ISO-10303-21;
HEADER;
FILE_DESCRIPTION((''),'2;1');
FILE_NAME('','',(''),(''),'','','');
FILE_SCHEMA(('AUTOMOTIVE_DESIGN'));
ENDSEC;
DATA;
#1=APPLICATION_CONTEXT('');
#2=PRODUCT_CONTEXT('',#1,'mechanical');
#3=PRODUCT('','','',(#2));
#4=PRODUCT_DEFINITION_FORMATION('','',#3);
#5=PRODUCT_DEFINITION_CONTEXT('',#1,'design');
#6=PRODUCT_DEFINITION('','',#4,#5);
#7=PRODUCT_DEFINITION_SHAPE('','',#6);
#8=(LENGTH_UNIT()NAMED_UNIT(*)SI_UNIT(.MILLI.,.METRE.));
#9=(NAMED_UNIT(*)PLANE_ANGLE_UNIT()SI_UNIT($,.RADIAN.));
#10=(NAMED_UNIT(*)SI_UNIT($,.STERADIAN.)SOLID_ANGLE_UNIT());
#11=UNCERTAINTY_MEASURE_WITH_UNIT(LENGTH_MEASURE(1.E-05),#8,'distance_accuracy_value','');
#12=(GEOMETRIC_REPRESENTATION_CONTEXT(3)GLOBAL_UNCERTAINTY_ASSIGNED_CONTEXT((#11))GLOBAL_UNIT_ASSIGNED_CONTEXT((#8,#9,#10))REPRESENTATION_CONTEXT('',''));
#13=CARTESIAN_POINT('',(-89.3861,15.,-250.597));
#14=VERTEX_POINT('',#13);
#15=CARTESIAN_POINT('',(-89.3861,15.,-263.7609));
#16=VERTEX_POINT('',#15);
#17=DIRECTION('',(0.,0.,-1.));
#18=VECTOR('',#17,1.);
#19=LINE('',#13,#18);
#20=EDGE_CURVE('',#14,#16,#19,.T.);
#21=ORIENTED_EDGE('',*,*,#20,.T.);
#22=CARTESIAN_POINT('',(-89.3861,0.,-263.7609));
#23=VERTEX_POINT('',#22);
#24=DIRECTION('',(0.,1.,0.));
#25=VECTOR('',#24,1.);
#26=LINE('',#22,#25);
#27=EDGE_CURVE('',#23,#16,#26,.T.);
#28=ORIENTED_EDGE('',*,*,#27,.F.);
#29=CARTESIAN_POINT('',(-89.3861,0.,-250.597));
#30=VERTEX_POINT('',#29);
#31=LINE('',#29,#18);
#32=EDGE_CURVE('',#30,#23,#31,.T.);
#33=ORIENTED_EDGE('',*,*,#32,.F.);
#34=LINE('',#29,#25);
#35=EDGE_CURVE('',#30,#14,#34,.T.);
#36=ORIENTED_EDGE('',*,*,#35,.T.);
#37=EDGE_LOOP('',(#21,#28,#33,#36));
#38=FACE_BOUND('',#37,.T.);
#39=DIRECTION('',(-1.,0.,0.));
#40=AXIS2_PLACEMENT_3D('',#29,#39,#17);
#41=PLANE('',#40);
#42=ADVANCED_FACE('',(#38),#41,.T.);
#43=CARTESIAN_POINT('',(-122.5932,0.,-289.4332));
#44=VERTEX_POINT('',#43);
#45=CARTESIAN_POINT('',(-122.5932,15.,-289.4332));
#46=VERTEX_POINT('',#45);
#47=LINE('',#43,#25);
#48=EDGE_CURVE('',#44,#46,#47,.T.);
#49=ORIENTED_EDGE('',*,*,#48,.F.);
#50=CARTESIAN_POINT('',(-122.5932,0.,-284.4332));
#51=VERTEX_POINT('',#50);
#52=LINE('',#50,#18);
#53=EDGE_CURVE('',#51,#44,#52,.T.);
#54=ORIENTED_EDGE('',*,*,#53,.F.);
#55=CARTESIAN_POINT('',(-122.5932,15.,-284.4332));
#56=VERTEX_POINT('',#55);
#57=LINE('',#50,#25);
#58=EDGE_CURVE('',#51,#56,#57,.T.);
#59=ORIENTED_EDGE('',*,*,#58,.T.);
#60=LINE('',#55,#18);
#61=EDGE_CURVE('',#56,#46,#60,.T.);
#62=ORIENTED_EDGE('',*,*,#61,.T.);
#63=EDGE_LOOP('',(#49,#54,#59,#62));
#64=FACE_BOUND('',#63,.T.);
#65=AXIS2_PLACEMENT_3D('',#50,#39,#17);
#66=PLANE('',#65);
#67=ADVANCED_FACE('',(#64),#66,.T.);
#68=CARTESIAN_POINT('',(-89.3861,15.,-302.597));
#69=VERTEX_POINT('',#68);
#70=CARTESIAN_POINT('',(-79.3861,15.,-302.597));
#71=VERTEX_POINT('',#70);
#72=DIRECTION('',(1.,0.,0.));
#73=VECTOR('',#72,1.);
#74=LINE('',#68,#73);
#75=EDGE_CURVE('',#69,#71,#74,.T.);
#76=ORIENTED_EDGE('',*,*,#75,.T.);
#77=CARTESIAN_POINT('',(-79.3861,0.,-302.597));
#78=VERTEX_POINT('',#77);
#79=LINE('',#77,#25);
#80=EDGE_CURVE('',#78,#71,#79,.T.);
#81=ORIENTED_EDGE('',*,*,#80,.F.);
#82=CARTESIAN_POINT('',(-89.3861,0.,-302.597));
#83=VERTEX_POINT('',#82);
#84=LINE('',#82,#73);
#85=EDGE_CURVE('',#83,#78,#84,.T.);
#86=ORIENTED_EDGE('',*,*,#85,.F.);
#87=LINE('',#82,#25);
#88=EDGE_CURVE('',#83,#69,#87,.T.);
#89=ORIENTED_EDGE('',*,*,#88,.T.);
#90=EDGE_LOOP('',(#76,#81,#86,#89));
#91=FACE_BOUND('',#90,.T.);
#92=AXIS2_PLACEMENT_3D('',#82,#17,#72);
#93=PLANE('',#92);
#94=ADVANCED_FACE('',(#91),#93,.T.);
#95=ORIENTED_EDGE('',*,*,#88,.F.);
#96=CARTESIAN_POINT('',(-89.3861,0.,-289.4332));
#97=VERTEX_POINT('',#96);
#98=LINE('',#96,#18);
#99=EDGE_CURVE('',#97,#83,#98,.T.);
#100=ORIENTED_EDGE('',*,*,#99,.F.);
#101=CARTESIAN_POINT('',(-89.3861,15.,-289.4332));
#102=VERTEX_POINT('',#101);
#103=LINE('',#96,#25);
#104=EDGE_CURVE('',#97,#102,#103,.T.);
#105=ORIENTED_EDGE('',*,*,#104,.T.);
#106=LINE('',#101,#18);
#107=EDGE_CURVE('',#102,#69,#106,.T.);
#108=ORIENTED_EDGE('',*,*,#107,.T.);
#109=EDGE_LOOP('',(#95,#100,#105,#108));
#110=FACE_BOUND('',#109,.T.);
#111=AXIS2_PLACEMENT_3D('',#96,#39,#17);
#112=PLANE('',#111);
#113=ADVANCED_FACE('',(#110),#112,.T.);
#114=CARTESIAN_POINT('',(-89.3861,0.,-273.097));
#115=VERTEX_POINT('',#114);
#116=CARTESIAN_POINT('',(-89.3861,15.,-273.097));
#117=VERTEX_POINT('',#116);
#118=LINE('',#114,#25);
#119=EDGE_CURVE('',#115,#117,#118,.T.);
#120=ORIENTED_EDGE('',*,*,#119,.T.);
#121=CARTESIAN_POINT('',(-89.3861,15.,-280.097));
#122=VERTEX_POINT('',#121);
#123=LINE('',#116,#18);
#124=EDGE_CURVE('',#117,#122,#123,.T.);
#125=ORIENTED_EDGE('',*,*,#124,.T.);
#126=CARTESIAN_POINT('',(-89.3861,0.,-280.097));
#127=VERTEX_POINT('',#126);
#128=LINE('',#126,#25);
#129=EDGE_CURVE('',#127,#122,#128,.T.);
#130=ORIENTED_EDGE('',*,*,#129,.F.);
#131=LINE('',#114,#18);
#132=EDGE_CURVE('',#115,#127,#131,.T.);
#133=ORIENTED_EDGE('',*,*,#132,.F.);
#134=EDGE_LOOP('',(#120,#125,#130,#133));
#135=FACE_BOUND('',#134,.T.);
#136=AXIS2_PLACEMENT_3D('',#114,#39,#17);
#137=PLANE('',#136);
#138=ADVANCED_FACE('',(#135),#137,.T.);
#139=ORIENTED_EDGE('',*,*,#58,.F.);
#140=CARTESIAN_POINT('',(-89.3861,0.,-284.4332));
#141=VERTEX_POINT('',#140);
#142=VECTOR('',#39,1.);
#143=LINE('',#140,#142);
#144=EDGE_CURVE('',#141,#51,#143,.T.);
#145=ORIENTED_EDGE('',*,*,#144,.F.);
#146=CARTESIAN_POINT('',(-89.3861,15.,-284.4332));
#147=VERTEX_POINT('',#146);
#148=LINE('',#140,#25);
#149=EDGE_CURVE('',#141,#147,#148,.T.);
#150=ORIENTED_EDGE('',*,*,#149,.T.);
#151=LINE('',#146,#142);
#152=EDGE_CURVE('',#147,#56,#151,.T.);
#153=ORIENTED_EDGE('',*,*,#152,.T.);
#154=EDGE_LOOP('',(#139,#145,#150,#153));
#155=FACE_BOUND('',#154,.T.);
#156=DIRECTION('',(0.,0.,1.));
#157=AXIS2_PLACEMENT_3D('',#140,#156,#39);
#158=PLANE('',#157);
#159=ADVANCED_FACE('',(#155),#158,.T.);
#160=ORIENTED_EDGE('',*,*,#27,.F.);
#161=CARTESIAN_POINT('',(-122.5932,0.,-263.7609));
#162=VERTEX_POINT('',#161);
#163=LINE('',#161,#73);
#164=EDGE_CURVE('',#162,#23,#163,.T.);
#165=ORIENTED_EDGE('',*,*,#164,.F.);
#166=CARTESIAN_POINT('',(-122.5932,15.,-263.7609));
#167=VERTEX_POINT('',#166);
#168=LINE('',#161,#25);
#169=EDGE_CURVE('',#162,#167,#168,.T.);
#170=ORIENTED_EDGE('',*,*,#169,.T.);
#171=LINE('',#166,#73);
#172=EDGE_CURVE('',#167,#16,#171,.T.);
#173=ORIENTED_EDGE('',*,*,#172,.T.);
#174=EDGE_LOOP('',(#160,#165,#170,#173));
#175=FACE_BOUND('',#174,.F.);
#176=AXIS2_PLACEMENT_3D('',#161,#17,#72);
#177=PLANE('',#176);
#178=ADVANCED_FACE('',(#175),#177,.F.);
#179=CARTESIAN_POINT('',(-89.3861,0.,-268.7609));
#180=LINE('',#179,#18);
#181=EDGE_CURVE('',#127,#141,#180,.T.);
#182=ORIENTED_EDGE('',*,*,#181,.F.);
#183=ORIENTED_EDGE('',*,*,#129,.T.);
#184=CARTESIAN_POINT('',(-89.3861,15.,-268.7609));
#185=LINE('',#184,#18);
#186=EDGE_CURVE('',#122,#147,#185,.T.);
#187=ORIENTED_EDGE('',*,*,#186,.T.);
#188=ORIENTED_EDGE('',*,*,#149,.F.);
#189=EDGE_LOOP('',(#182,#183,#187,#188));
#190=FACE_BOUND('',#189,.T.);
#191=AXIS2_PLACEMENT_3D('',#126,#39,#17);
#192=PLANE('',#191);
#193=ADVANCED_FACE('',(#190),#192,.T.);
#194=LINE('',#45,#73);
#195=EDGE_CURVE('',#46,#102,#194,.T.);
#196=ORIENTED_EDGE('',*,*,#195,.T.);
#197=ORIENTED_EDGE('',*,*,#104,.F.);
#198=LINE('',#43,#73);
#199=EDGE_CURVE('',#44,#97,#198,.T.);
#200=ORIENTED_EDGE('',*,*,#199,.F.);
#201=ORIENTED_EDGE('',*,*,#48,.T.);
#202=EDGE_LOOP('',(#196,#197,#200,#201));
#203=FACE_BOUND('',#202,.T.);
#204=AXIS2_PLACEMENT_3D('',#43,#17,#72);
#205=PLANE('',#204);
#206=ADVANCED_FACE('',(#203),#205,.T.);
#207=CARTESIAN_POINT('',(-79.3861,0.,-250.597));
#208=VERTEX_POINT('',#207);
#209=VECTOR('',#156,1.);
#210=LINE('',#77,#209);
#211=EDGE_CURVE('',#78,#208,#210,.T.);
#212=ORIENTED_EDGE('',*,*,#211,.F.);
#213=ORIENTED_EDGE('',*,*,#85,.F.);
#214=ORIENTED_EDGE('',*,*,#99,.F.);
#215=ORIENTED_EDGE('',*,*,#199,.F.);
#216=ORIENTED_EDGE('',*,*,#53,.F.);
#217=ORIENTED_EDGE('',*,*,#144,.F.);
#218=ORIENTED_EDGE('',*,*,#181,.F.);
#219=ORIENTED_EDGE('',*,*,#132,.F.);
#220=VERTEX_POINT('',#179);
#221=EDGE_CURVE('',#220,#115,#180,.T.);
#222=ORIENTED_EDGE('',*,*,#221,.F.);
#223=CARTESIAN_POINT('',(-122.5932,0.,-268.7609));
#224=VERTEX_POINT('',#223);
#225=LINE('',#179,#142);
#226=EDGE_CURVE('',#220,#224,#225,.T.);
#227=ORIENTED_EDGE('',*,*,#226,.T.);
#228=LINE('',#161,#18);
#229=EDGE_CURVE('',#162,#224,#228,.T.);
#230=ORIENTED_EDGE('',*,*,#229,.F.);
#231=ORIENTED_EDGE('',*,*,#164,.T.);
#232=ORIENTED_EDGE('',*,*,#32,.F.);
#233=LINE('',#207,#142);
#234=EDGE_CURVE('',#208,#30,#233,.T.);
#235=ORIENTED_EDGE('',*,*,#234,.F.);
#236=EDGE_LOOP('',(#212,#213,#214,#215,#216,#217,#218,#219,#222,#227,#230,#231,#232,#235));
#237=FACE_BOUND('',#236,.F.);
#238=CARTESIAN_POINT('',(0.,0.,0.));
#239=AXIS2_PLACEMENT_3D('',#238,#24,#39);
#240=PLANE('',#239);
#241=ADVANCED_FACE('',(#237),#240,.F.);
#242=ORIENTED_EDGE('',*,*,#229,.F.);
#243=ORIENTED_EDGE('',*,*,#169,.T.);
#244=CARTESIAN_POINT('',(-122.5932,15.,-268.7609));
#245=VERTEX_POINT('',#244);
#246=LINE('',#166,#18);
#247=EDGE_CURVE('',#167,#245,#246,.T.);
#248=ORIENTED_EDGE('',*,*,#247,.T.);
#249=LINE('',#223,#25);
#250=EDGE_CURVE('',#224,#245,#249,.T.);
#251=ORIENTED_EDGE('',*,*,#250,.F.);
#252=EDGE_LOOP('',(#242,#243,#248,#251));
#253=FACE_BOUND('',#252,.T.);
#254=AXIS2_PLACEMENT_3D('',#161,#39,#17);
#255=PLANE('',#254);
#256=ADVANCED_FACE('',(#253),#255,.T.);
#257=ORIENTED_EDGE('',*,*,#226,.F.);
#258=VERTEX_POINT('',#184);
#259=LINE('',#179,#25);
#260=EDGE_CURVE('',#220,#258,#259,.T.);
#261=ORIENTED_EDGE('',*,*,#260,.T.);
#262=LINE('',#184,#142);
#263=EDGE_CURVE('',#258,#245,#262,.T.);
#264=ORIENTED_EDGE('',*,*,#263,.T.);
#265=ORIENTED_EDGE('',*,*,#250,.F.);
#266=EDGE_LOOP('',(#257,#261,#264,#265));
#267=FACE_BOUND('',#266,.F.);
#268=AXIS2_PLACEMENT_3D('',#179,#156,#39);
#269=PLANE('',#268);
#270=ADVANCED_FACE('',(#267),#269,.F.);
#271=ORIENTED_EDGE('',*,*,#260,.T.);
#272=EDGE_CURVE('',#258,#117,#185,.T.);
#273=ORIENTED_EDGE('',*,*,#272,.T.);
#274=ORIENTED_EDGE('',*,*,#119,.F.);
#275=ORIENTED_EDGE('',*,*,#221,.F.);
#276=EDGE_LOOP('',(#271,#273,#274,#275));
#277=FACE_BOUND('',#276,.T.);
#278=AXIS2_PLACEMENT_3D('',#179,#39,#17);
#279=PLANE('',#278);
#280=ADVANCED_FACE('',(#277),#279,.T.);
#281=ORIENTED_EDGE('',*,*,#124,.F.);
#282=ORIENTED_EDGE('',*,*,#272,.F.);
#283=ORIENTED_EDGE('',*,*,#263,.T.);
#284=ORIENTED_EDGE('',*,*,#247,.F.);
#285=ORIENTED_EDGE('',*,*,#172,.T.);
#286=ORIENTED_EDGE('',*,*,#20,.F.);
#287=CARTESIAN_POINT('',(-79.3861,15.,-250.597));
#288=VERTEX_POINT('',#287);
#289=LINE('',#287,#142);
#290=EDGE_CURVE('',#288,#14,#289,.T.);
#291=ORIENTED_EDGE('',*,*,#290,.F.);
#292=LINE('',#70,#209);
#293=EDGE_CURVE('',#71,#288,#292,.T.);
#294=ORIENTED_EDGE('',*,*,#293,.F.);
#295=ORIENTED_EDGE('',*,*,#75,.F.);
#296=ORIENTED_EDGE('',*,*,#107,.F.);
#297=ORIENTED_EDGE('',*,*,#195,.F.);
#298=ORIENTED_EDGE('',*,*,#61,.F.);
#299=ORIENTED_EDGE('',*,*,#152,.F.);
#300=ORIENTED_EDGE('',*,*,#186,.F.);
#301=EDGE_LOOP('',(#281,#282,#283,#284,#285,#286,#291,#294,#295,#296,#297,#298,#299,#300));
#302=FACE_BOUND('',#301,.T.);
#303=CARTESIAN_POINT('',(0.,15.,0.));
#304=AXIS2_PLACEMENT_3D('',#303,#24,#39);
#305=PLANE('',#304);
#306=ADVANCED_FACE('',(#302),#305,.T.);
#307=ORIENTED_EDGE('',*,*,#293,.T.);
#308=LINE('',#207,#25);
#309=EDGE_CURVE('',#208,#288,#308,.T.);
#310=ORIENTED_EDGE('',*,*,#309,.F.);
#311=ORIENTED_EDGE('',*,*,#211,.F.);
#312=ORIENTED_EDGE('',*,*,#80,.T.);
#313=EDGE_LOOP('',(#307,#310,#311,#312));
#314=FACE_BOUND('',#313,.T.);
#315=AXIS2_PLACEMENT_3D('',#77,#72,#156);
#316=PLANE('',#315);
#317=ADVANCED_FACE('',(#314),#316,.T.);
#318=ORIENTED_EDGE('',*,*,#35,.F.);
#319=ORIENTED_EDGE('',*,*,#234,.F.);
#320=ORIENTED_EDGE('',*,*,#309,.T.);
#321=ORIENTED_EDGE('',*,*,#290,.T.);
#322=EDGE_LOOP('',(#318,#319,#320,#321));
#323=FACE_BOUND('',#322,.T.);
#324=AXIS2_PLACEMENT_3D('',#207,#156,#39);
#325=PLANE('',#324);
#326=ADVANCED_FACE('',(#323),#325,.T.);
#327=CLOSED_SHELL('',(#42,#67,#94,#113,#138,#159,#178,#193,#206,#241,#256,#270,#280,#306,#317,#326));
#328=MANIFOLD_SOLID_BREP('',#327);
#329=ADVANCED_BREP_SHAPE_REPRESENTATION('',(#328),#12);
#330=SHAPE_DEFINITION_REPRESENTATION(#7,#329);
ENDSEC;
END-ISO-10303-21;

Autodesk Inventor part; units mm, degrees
ref_plane "YZ Plane" through (0, 0, 0) normal (1, 0, 0) x (0, 1, 0)
ref_plane "XZ Plane" through (0, 0, 0) normal (0, 1, 0) x (-1, 0, 0)
ref_plane "XY Plane" through (0, 0, 0) normal (0, 0, 1) x (1, 0, 0)
sketch "Esquisse1" plane through (0, 0, 0) normal (0, 1, 0) x (-1, 0, 0)
  line L0 (89.3861, -273.097) -> (89.3861, -280.097)
  line L1 (89.3861, -250.597) -> (89.3861, -263.7609)
  line L2 (89.3861, -302.597) -> (79.3861, -302.597)
  line L3 (79.3861, -302.597) -> (79.3861, -250.597)
  line L4 (122.5932, -263.7609) -> (89.3861, -263.7609)
  line L5 (89.3861, -268.7609) -> (122.5932, -268.7609)
  line L6 (122.5932, -289.4332) -> (89.3861, -289.4332)
  line L7 (89.3861, -284.4332) -> (122.5932, -284.4332)
  line L8 (89.3861, -289.4332) -> (89.3861, -302.597)
  line L9 (89.3861, -268.7609) -> (89.3861, -284.4332)
  line L10 (79.3861, -250.597) -> (89.3861, -250.597)
  line L11 (122.5932, -263.7609) -> (122.5932, -268.7609)
  line L12 (122.5932, -284.4332) -> (122.5932, -289.4332)
  point P0 (0, 0)
  dimension "d0" = 10
  dimension "d1" = 5
  dimension "d2" = 5
extrude "Extrusion1" add sketch "Esquisse1" along normal blind 15
properties part number "haut support"
